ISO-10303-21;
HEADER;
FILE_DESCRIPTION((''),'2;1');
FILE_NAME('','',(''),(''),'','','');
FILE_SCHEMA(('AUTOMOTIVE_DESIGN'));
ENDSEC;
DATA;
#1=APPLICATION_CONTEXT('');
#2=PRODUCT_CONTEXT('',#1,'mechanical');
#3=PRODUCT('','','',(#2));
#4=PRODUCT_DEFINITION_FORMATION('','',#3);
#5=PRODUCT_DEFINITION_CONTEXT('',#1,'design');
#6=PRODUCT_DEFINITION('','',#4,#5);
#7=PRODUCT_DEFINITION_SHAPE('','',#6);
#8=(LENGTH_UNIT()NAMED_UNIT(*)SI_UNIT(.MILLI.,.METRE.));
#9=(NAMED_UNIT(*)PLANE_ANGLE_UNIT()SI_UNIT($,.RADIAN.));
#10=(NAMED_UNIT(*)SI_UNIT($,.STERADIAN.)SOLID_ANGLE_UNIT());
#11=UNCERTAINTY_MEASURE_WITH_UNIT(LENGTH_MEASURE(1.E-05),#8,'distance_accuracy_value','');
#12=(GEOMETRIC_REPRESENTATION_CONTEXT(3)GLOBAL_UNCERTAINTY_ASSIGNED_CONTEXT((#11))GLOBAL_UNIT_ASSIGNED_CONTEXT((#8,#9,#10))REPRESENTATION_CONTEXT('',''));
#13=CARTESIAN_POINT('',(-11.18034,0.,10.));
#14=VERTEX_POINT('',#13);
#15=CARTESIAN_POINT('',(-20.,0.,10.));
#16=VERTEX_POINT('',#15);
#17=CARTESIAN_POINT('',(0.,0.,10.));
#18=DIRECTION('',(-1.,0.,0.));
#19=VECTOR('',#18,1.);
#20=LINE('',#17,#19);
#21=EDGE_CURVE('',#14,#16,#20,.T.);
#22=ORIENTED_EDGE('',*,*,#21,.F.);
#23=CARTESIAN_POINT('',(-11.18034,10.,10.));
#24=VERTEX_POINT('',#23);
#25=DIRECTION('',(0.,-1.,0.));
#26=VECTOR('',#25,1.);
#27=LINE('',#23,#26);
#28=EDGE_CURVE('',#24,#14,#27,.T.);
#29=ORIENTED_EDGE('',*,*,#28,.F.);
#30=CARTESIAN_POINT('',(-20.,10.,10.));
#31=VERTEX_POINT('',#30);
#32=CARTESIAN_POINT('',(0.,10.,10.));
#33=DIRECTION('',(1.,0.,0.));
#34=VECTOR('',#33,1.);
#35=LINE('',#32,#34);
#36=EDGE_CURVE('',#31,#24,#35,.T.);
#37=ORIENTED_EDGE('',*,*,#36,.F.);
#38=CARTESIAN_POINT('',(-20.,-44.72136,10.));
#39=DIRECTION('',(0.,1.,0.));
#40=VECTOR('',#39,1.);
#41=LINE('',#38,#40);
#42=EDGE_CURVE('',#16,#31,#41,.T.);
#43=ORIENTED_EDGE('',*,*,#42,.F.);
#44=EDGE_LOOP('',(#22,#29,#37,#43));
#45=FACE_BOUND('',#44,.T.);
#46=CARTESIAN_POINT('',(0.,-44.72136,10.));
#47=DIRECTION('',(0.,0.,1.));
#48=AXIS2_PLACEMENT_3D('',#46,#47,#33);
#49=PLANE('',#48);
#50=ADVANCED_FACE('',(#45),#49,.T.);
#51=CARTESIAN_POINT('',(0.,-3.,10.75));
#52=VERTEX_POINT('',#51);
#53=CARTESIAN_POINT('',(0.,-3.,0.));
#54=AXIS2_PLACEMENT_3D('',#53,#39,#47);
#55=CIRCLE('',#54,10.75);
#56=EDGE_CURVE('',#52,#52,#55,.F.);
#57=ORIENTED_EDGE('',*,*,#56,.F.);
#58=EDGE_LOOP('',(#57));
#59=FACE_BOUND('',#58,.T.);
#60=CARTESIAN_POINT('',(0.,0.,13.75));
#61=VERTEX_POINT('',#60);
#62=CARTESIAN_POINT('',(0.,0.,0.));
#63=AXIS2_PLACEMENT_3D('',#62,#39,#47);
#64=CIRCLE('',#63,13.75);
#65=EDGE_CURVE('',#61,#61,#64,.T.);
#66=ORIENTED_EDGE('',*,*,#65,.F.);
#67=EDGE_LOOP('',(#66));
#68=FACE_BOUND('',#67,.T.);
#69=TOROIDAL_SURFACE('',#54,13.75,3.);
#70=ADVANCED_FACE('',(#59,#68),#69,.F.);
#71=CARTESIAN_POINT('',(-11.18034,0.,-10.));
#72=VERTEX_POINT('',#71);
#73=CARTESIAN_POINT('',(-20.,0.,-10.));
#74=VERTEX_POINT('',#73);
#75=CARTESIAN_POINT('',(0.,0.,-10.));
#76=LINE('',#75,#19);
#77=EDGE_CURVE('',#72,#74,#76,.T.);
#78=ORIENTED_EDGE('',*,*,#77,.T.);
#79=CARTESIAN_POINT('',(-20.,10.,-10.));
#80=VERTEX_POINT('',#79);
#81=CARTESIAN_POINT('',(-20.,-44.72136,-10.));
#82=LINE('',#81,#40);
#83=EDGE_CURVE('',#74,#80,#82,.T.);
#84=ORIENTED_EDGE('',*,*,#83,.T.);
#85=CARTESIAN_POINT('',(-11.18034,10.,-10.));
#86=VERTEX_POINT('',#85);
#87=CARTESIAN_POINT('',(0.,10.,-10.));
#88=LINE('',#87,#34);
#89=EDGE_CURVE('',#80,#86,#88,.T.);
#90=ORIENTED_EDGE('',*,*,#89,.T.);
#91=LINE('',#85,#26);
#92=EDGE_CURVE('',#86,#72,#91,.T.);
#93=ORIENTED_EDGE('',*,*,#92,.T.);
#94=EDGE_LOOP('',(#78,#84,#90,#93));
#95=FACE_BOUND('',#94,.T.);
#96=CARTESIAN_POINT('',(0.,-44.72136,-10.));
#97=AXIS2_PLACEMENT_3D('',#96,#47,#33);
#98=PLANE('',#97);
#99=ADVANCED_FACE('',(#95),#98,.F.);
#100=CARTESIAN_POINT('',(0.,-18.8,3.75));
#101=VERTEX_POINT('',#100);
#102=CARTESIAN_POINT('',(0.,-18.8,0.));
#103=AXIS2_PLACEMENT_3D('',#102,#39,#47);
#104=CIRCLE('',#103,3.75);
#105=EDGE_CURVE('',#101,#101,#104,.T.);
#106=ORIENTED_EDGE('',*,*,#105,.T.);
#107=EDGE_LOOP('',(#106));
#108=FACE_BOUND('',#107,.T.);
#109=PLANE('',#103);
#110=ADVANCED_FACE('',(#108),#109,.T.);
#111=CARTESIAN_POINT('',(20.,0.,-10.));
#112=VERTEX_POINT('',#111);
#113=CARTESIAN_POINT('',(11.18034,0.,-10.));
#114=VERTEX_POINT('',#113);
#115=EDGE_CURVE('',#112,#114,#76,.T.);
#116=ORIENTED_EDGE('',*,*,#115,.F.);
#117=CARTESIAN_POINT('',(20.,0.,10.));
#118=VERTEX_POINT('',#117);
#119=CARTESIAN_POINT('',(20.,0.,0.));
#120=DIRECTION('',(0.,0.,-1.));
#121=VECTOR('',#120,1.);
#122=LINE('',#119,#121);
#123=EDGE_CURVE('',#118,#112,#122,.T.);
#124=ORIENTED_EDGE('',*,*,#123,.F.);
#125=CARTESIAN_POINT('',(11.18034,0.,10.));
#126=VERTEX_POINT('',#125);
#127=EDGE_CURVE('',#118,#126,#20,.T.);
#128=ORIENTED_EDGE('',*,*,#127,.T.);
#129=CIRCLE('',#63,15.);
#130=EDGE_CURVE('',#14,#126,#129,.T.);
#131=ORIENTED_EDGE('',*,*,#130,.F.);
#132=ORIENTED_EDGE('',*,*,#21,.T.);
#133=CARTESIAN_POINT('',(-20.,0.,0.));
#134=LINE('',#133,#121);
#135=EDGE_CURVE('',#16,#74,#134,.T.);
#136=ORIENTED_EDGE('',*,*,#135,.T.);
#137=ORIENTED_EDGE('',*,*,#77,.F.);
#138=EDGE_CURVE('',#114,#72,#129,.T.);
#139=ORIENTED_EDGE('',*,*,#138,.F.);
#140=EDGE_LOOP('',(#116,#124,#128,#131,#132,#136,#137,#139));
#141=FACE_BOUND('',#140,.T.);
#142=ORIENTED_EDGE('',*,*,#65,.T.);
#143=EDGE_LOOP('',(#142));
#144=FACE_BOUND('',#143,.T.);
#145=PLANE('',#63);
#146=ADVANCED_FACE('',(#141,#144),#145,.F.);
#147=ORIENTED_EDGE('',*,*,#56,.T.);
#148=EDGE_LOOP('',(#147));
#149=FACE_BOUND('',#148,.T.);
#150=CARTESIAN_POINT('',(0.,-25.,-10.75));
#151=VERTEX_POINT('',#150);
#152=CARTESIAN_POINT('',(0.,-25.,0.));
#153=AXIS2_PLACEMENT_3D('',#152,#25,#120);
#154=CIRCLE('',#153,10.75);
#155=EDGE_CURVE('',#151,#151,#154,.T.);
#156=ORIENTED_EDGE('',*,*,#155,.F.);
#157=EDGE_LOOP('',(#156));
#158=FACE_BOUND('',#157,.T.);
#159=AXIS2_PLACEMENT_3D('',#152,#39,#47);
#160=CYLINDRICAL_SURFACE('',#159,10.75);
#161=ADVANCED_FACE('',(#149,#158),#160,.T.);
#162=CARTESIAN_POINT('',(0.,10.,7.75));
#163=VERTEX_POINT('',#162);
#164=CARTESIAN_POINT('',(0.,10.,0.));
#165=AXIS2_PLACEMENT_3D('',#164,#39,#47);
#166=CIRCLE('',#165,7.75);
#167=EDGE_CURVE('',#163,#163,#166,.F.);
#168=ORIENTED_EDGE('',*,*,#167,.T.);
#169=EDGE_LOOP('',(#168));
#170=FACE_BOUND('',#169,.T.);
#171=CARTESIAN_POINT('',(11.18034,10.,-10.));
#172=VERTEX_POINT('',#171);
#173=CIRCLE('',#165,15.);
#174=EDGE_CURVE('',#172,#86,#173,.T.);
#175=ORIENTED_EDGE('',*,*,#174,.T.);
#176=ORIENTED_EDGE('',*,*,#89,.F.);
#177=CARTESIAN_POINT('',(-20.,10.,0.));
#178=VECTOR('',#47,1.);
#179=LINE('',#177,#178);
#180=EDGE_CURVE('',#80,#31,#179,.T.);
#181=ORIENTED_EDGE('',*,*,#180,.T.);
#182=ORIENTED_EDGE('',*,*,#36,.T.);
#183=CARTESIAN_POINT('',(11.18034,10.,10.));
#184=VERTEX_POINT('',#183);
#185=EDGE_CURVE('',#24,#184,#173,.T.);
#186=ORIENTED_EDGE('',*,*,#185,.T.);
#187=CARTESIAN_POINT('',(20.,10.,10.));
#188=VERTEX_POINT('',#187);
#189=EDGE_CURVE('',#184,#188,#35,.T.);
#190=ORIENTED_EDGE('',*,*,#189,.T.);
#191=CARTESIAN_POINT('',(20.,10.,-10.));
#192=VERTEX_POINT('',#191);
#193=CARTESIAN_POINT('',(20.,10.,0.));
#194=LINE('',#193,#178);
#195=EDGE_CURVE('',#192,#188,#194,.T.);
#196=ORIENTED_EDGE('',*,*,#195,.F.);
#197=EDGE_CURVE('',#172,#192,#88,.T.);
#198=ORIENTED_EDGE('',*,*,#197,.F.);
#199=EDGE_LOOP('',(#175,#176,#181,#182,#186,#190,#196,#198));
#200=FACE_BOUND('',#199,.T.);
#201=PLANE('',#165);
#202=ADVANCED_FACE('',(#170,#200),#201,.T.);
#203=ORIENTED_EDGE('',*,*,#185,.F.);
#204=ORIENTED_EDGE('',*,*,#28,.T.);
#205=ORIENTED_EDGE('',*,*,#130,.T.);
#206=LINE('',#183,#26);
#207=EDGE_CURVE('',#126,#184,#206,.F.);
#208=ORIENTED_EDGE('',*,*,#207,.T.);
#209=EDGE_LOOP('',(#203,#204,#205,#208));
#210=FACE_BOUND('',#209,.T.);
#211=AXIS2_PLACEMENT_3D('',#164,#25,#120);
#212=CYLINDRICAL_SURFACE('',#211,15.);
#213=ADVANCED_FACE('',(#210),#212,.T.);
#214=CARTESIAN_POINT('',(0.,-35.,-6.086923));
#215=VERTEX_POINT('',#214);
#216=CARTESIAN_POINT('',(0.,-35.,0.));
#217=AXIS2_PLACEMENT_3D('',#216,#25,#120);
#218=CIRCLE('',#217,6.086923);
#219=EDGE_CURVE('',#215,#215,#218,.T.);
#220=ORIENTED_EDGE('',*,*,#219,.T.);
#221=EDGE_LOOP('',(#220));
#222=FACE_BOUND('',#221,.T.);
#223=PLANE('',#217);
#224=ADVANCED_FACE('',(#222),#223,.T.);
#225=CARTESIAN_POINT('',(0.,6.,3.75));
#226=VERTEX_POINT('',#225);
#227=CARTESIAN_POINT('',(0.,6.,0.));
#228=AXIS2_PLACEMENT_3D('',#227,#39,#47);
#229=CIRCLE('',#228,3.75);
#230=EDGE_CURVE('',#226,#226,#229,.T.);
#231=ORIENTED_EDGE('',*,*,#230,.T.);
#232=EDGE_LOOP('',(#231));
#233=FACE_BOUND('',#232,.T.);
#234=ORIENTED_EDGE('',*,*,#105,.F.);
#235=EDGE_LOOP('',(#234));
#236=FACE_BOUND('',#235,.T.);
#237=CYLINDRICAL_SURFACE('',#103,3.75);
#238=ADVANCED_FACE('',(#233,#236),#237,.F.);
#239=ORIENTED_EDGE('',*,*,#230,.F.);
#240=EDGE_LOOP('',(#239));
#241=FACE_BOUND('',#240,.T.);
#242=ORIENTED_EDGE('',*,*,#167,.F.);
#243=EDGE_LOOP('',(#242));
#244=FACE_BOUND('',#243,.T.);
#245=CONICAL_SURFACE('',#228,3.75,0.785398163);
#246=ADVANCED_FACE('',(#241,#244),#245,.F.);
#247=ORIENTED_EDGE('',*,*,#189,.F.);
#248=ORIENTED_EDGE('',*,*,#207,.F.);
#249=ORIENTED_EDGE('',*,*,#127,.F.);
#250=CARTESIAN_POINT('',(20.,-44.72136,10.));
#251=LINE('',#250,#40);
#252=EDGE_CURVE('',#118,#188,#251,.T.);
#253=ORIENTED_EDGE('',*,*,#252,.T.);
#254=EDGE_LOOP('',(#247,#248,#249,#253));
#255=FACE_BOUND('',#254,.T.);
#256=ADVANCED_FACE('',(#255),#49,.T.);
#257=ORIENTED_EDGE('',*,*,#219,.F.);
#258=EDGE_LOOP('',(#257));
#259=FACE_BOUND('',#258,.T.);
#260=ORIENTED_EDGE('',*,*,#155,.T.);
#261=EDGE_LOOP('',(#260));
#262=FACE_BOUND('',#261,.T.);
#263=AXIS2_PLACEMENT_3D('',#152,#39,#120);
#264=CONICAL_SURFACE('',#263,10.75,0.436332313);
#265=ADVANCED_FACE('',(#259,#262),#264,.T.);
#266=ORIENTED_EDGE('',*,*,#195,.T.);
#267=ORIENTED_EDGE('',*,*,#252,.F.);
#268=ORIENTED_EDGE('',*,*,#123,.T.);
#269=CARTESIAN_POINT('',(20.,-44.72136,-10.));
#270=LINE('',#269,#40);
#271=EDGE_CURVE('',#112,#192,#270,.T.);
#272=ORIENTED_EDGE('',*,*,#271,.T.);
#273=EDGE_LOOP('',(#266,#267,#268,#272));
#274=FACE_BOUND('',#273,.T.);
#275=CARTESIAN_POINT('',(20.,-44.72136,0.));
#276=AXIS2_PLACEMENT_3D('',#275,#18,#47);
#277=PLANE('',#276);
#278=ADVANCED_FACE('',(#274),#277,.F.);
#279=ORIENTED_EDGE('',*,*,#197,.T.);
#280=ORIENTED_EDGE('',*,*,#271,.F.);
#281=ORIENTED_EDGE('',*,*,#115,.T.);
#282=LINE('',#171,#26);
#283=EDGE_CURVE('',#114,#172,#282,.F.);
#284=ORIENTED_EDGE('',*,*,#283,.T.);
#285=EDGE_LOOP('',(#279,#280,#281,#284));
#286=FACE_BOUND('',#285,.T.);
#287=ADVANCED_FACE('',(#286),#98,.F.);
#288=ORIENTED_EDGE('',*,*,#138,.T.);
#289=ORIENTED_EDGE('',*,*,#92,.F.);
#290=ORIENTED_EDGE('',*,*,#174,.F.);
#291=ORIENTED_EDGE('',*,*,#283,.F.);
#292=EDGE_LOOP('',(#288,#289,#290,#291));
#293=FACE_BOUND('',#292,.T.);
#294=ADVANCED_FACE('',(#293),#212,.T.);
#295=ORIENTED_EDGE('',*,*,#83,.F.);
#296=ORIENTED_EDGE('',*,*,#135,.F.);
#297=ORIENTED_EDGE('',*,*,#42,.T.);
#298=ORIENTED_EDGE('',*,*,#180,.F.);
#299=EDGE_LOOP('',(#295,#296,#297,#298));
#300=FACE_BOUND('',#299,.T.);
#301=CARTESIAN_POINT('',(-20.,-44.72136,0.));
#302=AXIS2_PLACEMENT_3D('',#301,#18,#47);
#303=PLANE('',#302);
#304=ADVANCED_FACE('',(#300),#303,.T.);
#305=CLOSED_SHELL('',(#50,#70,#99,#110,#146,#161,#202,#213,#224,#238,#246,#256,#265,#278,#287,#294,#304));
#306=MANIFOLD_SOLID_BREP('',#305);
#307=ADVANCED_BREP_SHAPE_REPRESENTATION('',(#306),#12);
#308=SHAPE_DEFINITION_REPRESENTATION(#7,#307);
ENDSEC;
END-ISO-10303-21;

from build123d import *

# Parameters (mm, degrees)
SKETCH1_R           = 15
BOSS_EXTRUDE1_DEPTH = 10
SKETCH2_R           = 10.75
BOSS_EXTRUDE2_DEPTH = 25
SKETCH3_R           = 3.75
CUT_EXTRUDE1_DEPTH  = 28.8
SKETCH5_R           = 10.75
BOSS_EXTRUDE4_DEPTH = 10
BOSS_EXTRUDE4_TAPER = 25
CHAMFER1_SIZE       = 4
BOSS_EXTRUDE3_START = -10
SKETCH4_R           = 7.75
BOSS_EXTRUDE3_DEPTH = 10
FILLET1_R           = 3


with BuildPart() as part:
    # Sketch1 → Boss-Extrude1 (new body)
    with BuildSketch(Plane(origin=(0, 0, 0), x_dir=(1, 0, 0), z_dir=(0, 1, 0))):
        with Locations(Location((0, 0, 0), (0, 0, 270))):
            Circle(SKETCH1_R)
    extrude(amount=BOSS_EXTRUDE1_DEPTH)

    # Sketch2 → Boss-Extrude2 (add)
    with BuildSketch(Plane.XZ):
        with Locations(Location((0, 0, 0), (0, 0, 270))):
            Circle(SKETCH2_R)
    extrude(amount=BOSS_EXTRUDE2_DEPTH)

    # Sketch3 → Cut-Extrude1 (cut)
    with BuildSketch(Plane(origin=(0, 10, 0), x_dir=(1, 0, 0), z_dir=(0, 1, 0))):
        with Locations(Location((0, 0, 0), (0, 0, 270))):
            Circle(SKETCH3_R)
    extrude(amount=-CUT_EXTRUDE1_DEPTH, mode=Mode.SUBTRACT)

    # Sketch5 → Boss-Extrude4 (add)
    with BuildSketch(Plane.XZ.offset(25)):
        with Locations(Location((0, 0, 0), (0, 0, 270))):
            Circle(SKETCH5_R)
    extrude(amount=BOSS_EXTRUDE4_DEPTH, taper=BOSS_EXTRUDE4_TAPER)

    # Chamfer1
    chamfer1_edges = [part.edges().sort_by_distance(p)[0] for p in [
        (0, 10, -3.75),
    ]]
    chamfer(chamfer1_edges, length=CHAMFER1_SIZE)

    # Sketch4 → Boss-Extrude3 (add)
    # profile 1 of 3: a face of its own
    with BuildSketch(Plane(origin=(0, 10, 0), x_dir=(1, 0, 0), z_dir=(0, 1, 0)).offset(BOSS_EXTRUDE3_START)):
        with BuildLine():
            Line((-11.180339887, 10), (-20, 10))
            Line((-20, 10), (-20, -10))
            Line((-20, -10), (-11.180339887, -10))
            ThreePointArc((-11.180339887, -10), (-15, 0), (-11.180339887, 10))
        make_face()
    # profile 2 of 3: a face of its own
    with BuildSketch(Plane(origin=(0, 10, 0), x_dir=(1, 0, 0), z_dir=(0, 1, 0)).offset(BOSS_EXTRUDE3_START)):
        with BuildLine():
            Line((11.180339887, 10), (-11.180339887, 10))
            ThreePointArc((-11.180339887, 10), (-15, 0), (-11.180339887, -10))
            Line((-11.180339887, -10), (11.180339887, -10))
            ThreePointArc((11.180339887, -10), (14.012585384, -5.352331347), (15, 0))
            ThreePointArc((15, 0), (14.012585384, 5.352331347), (11.180339887, 10))
        make_face()
        Circle(SKETCH4_R, mode=Mode.SUBTRACT)
    # profile 3 of 3: a face of its own
    with BuildSketch(Plane(origin=(0, 10, 0), x_dir=(1, 0, 0), z_dir=(0, 1, 0)).offset(BOSS_EXTRUDE3_START)):
        with BuildLine():
            Line((20, 10), (11.180339887, 10))
            ThreePointArc((11.180339887, 10), (14.012585384, 5.352331347), (15, 0))
            ThreePointArc((15, 0), (14.012585384, -5.352331347), (11.180339887, -10))
            Line((11.180339887, -10), (20, -10))
            Line((20, -10), (20, 10))
        make_face()
    extrude(amount=BOSS_EXTRUDE3_DEPTH)

    # Fillet1
    fillet1_edges = [part.edges().sort_by_distance(p)[0] for p in [
        (0, 0, 10.75),
    ]]
    fillet(fillet1_edges, radius=FILLET1_R)


solid = part.part
